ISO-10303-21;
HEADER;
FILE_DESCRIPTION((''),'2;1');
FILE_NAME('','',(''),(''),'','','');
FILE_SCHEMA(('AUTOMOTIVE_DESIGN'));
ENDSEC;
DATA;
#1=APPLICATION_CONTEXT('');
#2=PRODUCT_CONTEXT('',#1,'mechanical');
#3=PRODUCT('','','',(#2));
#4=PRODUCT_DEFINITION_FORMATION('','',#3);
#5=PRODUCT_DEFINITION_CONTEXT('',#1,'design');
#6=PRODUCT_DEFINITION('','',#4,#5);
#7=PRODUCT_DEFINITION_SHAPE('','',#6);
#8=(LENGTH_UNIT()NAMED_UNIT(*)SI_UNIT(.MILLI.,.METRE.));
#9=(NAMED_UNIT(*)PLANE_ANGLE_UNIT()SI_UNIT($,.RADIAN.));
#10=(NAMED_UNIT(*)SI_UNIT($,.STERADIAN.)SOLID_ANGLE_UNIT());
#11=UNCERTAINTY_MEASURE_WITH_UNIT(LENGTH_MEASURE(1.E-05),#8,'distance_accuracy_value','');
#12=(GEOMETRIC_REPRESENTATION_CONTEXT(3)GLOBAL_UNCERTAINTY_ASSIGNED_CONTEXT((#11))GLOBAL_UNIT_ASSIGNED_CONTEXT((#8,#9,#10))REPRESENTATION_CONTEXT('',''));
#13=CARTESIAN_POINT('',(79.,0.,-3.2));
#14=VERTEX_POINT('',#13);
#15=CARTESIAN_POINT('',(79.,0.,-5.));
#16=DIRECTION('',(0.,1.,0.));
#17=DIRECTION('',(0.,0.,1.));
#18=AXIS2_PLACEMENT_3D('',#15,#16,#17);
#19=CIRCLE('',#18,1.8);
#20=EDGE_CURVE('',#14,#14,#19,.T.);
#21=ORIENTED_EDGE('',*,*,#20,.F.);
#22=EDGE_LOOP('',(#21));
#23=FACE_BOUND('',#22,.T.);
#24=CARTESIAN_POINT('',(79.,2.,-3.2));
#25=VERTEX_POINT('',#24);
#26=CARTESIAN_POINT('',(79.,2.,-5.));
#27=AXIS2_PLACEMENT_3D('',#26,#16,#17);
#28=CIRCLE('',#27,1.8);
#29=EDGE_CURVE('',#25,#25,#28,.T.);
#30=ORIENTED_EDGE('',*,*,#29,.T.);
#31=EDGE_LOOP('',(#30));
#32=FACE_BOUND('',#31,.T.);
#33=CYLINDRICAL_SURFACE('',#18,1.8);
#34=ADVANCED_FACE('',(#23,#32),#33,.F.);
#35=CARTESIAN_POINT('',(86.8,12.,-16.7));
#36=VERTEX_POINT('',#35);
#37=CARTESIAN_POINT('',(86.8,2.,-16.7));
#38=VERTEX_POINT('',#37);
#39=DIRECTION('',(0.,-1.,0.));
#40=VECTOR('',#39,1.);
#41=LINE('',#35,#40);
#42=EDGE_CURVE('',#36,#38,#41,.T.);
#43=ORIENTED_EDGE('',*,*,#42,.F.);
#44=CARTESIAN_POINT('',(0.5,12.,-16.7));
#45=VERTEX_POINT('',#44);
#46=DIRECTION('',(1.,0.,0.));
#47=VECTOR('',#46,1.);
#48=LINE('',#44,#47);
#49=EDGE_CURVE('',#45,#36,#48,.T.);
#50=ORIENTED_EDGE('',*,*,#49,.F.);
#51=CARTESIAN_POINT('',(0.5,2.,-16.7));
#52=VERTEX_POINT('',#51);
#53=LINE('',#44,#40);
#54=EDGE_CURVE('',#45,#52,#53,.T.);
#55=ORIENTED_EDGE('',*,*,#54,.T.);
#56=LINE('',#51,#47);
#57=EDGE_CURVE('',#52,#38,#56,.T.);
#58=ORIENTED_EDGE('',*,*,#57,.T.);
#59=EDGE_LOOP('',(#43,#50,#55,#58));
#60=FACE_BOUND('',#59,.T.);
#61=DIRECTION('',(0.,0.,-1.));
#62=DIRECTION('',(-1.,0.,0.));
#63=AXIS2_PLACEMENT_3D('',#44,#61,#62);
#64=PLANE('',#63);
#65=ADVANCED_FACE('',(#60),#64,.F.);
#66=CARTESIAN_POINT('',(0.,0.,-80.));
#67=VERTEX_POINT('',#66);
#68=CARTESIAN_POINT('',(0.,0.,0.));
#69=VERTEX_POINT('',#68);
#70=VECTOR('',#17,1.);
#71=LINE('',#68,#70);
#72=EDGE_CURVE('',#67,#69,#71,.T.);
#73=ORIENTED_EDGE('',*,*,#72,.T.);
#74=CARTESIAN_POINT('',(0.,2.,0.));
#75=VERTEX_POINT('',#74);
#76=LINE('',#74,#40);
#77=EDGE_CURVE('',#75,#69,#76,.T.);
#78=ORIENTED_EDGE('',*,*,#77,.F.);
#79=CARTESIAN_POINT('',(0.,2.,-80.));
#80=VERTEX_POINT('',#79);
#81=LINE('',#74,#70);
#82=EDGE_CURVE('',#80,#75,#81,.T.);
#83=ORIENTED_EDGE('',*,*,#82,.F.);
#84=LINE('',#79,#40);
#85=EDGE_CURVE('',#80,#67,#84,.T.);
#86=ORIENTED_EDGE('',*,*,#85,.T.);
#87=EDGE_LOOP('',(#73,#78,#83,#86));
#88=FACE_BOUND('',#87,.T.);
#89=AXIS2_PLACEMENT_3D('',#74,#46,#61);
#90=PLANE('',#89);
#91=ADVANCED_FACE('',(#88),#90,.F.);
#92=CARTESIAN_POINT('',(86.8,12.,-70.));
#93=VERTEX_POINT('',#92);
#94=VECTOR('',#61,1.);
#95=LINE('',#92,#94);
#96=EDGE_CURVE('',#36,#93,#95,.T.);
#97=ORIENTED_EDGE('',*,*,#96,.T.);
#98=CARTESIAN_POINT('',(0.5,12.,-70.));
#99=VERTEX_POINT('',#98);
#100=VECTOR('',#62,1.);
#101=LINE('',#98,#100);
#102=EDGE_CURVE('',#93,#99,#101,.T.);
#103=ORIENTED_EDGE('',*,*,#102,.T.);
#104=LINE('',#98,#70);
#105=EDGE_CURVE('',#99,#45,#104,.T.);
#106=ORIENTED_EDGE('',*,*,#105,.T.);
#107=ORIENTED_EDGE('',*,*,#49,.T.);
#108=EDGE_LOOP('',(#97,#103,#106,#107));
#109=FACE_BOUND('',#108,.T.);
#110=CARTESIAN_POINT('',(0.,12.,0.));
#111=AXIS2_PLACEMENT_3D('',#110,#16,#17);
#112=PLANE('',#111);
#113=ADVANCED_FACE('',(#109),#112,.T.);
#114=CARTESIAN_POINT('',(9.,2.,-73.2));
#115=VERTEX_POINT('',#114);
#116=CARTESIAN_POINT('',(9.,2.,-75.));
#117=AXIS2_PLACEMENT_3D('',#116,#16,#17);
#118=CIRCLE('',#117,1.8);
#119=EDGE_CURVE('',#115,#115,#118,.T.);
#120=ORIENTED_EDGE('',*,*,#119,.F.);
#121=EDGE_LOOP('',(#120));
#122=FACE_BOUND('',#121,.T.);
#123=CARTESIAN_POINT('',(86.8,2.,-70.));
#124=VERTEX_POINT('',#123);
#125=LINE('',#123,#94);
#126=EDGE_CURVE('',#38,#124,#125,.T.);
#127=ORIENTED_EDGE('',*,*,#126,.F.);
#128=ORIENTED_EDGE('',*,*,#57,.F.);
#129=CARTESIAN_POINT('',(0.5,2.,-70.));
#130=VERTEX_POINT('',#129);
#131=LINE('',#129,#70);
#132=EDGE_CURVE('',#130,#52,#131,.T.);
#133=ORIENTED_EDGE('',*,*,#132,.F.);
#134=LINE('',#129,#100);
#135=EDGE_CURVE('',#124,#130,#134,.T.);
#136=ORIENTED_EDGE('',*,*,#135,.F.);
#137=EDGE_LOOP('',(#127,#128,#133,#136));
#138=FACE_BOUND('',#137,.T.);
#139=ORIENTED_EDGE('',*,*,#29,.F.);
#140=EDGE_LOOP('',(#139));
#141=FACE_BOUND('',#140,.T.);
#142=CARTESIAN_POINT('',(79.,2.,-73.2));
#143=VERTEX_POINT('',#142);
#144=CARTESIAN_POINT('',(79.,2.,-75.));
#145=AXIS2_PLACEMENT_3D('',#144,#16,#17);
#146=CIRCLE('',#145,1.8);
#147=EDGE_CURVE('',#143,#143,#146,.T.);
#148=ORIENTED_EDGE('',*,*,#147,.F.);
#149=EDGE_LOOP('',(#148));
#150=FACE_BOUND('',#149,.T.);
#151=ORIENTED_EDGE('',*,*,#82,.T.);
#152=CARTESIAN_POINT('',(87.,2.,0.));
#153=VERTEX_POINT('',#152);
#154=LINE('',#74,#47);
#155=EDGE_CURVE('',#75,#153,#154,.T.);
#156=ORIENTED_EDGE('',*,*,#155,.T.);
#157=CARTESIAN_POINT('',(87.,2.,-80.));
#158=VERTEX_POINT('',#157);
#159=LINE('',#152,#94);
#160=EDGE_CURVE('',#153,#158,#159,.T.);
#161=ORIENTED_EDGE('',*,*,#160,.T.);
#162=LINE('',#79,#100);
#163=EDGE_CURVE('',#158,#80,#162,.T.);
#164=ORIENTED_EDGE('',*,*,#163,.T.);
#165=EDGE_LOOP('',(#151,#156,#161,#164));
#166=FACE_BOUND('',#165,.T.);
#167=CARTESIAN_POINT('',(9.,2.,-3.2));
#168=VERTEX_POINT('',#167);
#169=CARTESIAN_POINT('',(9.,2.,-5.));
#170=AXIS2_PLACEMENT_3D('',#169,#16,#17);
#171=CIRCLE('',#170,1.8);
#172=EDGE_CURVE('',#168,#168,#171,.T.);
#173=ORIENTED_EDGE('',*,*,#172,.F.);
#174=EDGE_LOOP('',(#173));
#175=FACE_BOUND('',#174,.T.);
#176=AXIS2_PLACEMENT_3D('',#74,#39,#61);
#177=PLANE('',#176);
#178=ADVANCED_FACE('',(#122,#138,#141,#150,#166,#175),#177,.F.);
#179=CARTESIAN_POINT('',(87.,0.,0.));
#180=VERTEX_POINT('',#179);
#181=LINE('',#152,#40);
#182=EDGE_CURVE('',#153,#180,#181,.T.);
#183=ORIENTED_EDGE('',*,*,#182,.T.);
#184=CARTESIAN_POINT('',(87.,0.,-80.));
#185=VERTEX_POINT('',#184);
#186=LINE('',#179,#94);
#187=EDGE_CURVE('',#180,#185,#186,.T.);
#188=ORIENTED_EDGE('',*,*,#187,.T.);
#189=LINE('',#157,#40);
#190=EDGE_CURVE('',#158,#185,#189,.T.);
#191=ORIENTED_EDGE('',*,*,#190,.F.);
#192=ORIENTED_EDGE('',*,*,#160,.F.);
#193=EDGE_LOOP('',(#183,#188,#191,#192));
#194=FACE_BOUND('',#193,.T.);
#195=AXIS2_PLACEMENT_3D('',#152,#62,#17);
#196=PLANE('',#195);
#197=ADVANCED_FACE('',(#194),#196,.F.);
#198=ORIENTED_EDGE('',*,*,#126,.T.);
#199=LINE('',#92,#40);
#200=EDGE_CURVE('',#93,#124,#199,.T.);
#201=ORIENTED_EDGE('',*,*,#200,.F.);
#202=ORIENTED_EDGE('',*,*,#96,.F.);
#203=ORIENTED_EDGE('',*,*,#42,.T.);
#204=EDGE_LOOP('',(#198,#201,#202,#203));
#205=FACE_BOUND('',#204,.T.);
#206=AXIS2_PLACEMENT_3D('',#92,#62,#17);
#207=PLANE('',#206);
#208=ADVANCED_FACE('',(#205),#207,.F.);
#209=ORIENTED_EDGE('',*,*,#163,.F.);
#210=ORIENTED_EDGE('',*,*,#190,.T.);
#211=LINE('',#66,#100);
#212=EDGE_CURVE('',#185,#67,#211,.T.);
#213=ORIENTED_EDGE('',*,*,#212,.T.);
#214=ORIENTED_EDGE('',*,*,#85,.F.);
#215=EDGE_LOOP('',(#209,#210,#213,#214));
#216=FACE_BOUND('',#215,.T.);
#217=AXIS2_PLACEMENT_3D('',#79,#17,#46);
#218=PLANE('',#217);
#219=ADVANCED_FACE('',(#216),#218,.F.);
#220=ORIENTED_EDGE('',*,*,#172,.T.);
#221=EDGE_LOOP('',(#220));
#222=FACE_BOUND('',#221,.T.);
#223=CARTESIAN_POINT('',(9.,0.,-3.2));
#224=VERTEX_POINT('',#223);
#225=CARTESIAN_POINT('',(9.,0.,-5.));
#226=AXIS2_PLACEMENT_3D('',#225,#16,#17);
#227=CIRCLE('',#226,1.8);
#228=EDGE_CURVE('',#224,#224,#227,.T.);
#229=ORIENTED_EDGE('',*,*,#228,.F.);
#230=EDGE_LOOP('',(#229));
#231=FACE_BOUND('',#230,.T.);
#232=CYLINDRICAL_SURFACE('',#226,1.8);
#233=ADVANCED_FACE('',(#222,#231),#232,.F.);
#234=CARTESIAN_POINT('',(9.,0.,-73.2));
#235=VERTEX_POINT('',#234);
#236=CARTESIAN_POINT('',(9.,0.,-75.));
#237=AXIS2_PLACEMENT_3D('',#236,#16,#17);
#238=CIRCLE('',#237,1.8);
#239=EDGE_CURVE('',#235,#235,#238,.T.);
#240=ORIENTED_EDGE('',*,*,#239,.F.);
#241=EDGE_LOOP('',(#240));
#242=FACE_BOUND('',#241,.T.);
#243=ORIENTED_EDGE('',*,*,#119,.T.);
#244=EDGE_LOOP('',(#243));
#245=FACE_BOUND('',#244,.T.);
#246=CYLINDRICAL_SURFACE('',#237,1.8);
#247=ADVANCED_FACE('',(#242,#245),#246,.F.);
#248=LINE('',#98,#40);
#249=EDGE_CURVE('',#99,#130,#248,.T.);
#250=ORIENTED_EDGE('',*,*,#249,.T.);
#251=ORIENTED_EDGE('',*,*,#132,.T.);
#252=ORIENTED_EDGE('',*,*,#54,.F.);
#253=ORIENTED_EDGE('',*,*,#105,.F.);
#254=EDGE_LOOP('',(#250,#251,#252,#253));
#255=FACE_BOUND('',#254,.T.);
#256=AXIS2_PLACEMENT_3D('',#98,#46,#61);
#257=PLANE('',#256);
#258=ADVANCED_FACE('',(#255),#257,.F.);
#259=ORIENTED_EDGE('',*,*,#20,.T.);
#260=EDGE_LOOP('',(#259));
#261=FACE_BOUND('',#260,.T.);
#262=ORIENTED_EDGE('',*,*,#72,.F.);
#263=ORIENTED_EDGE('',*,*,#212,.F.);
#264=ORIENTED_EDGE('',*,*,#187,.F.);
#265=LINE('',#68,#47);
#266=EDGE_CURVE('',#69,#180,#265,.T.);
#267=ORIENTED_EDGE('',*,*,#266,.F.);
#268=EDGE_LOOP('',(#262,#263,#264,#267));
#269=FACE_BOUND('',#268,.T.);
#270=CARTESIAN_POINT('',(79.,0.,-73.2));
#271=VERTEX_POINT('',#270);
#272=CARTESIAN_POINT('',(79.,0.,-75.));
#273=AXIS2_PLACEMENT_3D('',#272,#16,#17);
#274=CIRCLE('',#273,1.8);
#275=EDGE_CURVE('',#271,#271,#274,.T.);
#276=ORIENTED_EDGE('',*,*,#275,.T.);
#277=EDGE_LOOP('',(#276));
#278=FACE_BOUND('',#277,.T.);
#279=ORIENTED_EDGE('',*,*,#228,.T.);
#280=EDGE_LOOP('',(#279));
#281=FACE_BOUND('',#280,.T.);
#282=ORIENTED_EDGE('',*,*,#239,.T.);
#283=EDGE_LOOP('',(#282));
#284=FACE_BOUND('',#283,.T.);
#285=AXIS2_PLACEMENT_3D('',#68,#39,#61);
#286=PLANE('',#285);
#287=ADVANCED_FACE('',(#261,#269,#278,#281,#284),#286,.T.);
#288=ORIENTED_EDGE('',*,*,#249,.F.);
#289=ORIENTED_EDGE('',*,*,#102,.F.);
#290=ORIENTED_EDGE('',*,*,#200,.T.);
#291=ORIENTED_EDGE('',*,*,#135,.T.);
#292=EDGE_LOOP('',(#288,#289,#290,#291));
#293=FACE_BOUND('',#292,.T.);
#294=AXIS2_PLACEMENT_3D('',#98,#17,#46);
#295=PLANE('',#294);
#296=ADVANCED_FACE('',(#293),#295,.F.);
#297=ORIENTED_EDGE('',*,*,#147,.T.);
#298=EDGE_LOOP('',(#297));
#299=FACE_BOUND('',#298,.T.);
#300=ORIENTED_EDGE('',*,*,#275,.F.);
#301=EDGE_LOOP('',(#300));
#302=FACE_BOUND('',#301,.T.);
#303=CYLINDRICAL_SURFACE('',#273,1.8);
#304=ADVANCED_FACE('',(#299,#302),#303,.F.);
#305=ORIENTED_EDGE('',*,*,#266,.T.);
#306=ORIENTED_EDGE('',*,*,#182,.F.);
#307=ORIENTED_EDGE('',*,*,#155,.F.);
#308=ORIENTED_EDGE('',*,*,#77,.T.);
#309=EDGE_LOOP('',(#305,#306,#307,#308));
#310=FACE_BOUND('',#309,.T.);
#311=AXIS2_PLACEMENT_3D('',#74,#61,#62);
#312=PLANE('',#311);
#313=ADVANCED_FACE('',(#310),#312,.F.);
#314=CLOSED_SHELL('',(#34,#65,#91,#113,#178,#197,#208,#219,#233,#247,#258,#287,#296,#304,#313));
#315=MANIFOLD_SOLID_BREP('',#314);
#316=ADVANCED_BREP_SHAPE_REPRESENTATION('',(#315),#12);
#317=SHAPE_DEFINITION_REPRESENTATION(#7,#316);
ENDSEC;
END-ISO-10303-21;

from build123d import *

# Parameters (mm, degrees)
SKETCH1_W              = 87
SKETCH1_H              = 80
PCB_DEPTH              = 2
SKETCH2_R              = 1.8
ATTACHMENT_HOLES_DEPTH = 3
LPATTERN1_COUNT        = 2
LPATTERN1_PITCH        = 70
LPATTERN1_COUNT_DIR2   = 2
LPATTERN1_PITCH_DIR2   = 70
SKETCH3_W              = 86.3
SKETCH3_H              = 53.3
IDUINO_DEPTH           = 10


with BuildPart() as part:
    # Sketch1 → PCB (new body)
    with BuildSketch(Plane(origin=(0, 0, 0), x_dir=(1, 0, 0), z_dir=(0, 1, 0))):
        with Locations((43.5, 40)):
            Rectangle(SKETCH1_W, SKETCH1_H)
    extrude(amount=PCB_DEPTH)

    # Sketch2 → Attachment Holes (cut, through all)
    with BuildSketch(Plane(origin=(0, 2, 0), x_dir=(1, 0, 0), z_dir=(0, 1, 0))):
        with Locations((9, 75)):
            Circle(SKETCH2_R)
    attachment_holes = extrude(amount=-ATTACHMENT_HOLES_DEPTH, mode=Mode.SUBTRACT)

    # LPattern1: Attachment Holes 2 × 2
    with Locations(*[(i * LPATTERN1_PITCH, 0, j * LPATTERN1_PITCH_DIR2) for i in range(LPATTERN1_COUNT) for j in range(LPATTERN1_COUNT_DIR2) if (i, j) != (0, 0)]):
        add(attachment_holes, mode=Mode.SUBTRACT)

    # Sketch3 → Iduino (add)
    with BuildSketch(Plane(origin=(0, 2, 0), x_dir=(1, 0, 0), z_dir=(0, 1, 0))):
        with Locations((43.65, 43.35)):
            Rectangle(SKETCH3_W, SKETCH3_H)
    extrude(amount=IDUINO_DEPTH)


solid = part.part
